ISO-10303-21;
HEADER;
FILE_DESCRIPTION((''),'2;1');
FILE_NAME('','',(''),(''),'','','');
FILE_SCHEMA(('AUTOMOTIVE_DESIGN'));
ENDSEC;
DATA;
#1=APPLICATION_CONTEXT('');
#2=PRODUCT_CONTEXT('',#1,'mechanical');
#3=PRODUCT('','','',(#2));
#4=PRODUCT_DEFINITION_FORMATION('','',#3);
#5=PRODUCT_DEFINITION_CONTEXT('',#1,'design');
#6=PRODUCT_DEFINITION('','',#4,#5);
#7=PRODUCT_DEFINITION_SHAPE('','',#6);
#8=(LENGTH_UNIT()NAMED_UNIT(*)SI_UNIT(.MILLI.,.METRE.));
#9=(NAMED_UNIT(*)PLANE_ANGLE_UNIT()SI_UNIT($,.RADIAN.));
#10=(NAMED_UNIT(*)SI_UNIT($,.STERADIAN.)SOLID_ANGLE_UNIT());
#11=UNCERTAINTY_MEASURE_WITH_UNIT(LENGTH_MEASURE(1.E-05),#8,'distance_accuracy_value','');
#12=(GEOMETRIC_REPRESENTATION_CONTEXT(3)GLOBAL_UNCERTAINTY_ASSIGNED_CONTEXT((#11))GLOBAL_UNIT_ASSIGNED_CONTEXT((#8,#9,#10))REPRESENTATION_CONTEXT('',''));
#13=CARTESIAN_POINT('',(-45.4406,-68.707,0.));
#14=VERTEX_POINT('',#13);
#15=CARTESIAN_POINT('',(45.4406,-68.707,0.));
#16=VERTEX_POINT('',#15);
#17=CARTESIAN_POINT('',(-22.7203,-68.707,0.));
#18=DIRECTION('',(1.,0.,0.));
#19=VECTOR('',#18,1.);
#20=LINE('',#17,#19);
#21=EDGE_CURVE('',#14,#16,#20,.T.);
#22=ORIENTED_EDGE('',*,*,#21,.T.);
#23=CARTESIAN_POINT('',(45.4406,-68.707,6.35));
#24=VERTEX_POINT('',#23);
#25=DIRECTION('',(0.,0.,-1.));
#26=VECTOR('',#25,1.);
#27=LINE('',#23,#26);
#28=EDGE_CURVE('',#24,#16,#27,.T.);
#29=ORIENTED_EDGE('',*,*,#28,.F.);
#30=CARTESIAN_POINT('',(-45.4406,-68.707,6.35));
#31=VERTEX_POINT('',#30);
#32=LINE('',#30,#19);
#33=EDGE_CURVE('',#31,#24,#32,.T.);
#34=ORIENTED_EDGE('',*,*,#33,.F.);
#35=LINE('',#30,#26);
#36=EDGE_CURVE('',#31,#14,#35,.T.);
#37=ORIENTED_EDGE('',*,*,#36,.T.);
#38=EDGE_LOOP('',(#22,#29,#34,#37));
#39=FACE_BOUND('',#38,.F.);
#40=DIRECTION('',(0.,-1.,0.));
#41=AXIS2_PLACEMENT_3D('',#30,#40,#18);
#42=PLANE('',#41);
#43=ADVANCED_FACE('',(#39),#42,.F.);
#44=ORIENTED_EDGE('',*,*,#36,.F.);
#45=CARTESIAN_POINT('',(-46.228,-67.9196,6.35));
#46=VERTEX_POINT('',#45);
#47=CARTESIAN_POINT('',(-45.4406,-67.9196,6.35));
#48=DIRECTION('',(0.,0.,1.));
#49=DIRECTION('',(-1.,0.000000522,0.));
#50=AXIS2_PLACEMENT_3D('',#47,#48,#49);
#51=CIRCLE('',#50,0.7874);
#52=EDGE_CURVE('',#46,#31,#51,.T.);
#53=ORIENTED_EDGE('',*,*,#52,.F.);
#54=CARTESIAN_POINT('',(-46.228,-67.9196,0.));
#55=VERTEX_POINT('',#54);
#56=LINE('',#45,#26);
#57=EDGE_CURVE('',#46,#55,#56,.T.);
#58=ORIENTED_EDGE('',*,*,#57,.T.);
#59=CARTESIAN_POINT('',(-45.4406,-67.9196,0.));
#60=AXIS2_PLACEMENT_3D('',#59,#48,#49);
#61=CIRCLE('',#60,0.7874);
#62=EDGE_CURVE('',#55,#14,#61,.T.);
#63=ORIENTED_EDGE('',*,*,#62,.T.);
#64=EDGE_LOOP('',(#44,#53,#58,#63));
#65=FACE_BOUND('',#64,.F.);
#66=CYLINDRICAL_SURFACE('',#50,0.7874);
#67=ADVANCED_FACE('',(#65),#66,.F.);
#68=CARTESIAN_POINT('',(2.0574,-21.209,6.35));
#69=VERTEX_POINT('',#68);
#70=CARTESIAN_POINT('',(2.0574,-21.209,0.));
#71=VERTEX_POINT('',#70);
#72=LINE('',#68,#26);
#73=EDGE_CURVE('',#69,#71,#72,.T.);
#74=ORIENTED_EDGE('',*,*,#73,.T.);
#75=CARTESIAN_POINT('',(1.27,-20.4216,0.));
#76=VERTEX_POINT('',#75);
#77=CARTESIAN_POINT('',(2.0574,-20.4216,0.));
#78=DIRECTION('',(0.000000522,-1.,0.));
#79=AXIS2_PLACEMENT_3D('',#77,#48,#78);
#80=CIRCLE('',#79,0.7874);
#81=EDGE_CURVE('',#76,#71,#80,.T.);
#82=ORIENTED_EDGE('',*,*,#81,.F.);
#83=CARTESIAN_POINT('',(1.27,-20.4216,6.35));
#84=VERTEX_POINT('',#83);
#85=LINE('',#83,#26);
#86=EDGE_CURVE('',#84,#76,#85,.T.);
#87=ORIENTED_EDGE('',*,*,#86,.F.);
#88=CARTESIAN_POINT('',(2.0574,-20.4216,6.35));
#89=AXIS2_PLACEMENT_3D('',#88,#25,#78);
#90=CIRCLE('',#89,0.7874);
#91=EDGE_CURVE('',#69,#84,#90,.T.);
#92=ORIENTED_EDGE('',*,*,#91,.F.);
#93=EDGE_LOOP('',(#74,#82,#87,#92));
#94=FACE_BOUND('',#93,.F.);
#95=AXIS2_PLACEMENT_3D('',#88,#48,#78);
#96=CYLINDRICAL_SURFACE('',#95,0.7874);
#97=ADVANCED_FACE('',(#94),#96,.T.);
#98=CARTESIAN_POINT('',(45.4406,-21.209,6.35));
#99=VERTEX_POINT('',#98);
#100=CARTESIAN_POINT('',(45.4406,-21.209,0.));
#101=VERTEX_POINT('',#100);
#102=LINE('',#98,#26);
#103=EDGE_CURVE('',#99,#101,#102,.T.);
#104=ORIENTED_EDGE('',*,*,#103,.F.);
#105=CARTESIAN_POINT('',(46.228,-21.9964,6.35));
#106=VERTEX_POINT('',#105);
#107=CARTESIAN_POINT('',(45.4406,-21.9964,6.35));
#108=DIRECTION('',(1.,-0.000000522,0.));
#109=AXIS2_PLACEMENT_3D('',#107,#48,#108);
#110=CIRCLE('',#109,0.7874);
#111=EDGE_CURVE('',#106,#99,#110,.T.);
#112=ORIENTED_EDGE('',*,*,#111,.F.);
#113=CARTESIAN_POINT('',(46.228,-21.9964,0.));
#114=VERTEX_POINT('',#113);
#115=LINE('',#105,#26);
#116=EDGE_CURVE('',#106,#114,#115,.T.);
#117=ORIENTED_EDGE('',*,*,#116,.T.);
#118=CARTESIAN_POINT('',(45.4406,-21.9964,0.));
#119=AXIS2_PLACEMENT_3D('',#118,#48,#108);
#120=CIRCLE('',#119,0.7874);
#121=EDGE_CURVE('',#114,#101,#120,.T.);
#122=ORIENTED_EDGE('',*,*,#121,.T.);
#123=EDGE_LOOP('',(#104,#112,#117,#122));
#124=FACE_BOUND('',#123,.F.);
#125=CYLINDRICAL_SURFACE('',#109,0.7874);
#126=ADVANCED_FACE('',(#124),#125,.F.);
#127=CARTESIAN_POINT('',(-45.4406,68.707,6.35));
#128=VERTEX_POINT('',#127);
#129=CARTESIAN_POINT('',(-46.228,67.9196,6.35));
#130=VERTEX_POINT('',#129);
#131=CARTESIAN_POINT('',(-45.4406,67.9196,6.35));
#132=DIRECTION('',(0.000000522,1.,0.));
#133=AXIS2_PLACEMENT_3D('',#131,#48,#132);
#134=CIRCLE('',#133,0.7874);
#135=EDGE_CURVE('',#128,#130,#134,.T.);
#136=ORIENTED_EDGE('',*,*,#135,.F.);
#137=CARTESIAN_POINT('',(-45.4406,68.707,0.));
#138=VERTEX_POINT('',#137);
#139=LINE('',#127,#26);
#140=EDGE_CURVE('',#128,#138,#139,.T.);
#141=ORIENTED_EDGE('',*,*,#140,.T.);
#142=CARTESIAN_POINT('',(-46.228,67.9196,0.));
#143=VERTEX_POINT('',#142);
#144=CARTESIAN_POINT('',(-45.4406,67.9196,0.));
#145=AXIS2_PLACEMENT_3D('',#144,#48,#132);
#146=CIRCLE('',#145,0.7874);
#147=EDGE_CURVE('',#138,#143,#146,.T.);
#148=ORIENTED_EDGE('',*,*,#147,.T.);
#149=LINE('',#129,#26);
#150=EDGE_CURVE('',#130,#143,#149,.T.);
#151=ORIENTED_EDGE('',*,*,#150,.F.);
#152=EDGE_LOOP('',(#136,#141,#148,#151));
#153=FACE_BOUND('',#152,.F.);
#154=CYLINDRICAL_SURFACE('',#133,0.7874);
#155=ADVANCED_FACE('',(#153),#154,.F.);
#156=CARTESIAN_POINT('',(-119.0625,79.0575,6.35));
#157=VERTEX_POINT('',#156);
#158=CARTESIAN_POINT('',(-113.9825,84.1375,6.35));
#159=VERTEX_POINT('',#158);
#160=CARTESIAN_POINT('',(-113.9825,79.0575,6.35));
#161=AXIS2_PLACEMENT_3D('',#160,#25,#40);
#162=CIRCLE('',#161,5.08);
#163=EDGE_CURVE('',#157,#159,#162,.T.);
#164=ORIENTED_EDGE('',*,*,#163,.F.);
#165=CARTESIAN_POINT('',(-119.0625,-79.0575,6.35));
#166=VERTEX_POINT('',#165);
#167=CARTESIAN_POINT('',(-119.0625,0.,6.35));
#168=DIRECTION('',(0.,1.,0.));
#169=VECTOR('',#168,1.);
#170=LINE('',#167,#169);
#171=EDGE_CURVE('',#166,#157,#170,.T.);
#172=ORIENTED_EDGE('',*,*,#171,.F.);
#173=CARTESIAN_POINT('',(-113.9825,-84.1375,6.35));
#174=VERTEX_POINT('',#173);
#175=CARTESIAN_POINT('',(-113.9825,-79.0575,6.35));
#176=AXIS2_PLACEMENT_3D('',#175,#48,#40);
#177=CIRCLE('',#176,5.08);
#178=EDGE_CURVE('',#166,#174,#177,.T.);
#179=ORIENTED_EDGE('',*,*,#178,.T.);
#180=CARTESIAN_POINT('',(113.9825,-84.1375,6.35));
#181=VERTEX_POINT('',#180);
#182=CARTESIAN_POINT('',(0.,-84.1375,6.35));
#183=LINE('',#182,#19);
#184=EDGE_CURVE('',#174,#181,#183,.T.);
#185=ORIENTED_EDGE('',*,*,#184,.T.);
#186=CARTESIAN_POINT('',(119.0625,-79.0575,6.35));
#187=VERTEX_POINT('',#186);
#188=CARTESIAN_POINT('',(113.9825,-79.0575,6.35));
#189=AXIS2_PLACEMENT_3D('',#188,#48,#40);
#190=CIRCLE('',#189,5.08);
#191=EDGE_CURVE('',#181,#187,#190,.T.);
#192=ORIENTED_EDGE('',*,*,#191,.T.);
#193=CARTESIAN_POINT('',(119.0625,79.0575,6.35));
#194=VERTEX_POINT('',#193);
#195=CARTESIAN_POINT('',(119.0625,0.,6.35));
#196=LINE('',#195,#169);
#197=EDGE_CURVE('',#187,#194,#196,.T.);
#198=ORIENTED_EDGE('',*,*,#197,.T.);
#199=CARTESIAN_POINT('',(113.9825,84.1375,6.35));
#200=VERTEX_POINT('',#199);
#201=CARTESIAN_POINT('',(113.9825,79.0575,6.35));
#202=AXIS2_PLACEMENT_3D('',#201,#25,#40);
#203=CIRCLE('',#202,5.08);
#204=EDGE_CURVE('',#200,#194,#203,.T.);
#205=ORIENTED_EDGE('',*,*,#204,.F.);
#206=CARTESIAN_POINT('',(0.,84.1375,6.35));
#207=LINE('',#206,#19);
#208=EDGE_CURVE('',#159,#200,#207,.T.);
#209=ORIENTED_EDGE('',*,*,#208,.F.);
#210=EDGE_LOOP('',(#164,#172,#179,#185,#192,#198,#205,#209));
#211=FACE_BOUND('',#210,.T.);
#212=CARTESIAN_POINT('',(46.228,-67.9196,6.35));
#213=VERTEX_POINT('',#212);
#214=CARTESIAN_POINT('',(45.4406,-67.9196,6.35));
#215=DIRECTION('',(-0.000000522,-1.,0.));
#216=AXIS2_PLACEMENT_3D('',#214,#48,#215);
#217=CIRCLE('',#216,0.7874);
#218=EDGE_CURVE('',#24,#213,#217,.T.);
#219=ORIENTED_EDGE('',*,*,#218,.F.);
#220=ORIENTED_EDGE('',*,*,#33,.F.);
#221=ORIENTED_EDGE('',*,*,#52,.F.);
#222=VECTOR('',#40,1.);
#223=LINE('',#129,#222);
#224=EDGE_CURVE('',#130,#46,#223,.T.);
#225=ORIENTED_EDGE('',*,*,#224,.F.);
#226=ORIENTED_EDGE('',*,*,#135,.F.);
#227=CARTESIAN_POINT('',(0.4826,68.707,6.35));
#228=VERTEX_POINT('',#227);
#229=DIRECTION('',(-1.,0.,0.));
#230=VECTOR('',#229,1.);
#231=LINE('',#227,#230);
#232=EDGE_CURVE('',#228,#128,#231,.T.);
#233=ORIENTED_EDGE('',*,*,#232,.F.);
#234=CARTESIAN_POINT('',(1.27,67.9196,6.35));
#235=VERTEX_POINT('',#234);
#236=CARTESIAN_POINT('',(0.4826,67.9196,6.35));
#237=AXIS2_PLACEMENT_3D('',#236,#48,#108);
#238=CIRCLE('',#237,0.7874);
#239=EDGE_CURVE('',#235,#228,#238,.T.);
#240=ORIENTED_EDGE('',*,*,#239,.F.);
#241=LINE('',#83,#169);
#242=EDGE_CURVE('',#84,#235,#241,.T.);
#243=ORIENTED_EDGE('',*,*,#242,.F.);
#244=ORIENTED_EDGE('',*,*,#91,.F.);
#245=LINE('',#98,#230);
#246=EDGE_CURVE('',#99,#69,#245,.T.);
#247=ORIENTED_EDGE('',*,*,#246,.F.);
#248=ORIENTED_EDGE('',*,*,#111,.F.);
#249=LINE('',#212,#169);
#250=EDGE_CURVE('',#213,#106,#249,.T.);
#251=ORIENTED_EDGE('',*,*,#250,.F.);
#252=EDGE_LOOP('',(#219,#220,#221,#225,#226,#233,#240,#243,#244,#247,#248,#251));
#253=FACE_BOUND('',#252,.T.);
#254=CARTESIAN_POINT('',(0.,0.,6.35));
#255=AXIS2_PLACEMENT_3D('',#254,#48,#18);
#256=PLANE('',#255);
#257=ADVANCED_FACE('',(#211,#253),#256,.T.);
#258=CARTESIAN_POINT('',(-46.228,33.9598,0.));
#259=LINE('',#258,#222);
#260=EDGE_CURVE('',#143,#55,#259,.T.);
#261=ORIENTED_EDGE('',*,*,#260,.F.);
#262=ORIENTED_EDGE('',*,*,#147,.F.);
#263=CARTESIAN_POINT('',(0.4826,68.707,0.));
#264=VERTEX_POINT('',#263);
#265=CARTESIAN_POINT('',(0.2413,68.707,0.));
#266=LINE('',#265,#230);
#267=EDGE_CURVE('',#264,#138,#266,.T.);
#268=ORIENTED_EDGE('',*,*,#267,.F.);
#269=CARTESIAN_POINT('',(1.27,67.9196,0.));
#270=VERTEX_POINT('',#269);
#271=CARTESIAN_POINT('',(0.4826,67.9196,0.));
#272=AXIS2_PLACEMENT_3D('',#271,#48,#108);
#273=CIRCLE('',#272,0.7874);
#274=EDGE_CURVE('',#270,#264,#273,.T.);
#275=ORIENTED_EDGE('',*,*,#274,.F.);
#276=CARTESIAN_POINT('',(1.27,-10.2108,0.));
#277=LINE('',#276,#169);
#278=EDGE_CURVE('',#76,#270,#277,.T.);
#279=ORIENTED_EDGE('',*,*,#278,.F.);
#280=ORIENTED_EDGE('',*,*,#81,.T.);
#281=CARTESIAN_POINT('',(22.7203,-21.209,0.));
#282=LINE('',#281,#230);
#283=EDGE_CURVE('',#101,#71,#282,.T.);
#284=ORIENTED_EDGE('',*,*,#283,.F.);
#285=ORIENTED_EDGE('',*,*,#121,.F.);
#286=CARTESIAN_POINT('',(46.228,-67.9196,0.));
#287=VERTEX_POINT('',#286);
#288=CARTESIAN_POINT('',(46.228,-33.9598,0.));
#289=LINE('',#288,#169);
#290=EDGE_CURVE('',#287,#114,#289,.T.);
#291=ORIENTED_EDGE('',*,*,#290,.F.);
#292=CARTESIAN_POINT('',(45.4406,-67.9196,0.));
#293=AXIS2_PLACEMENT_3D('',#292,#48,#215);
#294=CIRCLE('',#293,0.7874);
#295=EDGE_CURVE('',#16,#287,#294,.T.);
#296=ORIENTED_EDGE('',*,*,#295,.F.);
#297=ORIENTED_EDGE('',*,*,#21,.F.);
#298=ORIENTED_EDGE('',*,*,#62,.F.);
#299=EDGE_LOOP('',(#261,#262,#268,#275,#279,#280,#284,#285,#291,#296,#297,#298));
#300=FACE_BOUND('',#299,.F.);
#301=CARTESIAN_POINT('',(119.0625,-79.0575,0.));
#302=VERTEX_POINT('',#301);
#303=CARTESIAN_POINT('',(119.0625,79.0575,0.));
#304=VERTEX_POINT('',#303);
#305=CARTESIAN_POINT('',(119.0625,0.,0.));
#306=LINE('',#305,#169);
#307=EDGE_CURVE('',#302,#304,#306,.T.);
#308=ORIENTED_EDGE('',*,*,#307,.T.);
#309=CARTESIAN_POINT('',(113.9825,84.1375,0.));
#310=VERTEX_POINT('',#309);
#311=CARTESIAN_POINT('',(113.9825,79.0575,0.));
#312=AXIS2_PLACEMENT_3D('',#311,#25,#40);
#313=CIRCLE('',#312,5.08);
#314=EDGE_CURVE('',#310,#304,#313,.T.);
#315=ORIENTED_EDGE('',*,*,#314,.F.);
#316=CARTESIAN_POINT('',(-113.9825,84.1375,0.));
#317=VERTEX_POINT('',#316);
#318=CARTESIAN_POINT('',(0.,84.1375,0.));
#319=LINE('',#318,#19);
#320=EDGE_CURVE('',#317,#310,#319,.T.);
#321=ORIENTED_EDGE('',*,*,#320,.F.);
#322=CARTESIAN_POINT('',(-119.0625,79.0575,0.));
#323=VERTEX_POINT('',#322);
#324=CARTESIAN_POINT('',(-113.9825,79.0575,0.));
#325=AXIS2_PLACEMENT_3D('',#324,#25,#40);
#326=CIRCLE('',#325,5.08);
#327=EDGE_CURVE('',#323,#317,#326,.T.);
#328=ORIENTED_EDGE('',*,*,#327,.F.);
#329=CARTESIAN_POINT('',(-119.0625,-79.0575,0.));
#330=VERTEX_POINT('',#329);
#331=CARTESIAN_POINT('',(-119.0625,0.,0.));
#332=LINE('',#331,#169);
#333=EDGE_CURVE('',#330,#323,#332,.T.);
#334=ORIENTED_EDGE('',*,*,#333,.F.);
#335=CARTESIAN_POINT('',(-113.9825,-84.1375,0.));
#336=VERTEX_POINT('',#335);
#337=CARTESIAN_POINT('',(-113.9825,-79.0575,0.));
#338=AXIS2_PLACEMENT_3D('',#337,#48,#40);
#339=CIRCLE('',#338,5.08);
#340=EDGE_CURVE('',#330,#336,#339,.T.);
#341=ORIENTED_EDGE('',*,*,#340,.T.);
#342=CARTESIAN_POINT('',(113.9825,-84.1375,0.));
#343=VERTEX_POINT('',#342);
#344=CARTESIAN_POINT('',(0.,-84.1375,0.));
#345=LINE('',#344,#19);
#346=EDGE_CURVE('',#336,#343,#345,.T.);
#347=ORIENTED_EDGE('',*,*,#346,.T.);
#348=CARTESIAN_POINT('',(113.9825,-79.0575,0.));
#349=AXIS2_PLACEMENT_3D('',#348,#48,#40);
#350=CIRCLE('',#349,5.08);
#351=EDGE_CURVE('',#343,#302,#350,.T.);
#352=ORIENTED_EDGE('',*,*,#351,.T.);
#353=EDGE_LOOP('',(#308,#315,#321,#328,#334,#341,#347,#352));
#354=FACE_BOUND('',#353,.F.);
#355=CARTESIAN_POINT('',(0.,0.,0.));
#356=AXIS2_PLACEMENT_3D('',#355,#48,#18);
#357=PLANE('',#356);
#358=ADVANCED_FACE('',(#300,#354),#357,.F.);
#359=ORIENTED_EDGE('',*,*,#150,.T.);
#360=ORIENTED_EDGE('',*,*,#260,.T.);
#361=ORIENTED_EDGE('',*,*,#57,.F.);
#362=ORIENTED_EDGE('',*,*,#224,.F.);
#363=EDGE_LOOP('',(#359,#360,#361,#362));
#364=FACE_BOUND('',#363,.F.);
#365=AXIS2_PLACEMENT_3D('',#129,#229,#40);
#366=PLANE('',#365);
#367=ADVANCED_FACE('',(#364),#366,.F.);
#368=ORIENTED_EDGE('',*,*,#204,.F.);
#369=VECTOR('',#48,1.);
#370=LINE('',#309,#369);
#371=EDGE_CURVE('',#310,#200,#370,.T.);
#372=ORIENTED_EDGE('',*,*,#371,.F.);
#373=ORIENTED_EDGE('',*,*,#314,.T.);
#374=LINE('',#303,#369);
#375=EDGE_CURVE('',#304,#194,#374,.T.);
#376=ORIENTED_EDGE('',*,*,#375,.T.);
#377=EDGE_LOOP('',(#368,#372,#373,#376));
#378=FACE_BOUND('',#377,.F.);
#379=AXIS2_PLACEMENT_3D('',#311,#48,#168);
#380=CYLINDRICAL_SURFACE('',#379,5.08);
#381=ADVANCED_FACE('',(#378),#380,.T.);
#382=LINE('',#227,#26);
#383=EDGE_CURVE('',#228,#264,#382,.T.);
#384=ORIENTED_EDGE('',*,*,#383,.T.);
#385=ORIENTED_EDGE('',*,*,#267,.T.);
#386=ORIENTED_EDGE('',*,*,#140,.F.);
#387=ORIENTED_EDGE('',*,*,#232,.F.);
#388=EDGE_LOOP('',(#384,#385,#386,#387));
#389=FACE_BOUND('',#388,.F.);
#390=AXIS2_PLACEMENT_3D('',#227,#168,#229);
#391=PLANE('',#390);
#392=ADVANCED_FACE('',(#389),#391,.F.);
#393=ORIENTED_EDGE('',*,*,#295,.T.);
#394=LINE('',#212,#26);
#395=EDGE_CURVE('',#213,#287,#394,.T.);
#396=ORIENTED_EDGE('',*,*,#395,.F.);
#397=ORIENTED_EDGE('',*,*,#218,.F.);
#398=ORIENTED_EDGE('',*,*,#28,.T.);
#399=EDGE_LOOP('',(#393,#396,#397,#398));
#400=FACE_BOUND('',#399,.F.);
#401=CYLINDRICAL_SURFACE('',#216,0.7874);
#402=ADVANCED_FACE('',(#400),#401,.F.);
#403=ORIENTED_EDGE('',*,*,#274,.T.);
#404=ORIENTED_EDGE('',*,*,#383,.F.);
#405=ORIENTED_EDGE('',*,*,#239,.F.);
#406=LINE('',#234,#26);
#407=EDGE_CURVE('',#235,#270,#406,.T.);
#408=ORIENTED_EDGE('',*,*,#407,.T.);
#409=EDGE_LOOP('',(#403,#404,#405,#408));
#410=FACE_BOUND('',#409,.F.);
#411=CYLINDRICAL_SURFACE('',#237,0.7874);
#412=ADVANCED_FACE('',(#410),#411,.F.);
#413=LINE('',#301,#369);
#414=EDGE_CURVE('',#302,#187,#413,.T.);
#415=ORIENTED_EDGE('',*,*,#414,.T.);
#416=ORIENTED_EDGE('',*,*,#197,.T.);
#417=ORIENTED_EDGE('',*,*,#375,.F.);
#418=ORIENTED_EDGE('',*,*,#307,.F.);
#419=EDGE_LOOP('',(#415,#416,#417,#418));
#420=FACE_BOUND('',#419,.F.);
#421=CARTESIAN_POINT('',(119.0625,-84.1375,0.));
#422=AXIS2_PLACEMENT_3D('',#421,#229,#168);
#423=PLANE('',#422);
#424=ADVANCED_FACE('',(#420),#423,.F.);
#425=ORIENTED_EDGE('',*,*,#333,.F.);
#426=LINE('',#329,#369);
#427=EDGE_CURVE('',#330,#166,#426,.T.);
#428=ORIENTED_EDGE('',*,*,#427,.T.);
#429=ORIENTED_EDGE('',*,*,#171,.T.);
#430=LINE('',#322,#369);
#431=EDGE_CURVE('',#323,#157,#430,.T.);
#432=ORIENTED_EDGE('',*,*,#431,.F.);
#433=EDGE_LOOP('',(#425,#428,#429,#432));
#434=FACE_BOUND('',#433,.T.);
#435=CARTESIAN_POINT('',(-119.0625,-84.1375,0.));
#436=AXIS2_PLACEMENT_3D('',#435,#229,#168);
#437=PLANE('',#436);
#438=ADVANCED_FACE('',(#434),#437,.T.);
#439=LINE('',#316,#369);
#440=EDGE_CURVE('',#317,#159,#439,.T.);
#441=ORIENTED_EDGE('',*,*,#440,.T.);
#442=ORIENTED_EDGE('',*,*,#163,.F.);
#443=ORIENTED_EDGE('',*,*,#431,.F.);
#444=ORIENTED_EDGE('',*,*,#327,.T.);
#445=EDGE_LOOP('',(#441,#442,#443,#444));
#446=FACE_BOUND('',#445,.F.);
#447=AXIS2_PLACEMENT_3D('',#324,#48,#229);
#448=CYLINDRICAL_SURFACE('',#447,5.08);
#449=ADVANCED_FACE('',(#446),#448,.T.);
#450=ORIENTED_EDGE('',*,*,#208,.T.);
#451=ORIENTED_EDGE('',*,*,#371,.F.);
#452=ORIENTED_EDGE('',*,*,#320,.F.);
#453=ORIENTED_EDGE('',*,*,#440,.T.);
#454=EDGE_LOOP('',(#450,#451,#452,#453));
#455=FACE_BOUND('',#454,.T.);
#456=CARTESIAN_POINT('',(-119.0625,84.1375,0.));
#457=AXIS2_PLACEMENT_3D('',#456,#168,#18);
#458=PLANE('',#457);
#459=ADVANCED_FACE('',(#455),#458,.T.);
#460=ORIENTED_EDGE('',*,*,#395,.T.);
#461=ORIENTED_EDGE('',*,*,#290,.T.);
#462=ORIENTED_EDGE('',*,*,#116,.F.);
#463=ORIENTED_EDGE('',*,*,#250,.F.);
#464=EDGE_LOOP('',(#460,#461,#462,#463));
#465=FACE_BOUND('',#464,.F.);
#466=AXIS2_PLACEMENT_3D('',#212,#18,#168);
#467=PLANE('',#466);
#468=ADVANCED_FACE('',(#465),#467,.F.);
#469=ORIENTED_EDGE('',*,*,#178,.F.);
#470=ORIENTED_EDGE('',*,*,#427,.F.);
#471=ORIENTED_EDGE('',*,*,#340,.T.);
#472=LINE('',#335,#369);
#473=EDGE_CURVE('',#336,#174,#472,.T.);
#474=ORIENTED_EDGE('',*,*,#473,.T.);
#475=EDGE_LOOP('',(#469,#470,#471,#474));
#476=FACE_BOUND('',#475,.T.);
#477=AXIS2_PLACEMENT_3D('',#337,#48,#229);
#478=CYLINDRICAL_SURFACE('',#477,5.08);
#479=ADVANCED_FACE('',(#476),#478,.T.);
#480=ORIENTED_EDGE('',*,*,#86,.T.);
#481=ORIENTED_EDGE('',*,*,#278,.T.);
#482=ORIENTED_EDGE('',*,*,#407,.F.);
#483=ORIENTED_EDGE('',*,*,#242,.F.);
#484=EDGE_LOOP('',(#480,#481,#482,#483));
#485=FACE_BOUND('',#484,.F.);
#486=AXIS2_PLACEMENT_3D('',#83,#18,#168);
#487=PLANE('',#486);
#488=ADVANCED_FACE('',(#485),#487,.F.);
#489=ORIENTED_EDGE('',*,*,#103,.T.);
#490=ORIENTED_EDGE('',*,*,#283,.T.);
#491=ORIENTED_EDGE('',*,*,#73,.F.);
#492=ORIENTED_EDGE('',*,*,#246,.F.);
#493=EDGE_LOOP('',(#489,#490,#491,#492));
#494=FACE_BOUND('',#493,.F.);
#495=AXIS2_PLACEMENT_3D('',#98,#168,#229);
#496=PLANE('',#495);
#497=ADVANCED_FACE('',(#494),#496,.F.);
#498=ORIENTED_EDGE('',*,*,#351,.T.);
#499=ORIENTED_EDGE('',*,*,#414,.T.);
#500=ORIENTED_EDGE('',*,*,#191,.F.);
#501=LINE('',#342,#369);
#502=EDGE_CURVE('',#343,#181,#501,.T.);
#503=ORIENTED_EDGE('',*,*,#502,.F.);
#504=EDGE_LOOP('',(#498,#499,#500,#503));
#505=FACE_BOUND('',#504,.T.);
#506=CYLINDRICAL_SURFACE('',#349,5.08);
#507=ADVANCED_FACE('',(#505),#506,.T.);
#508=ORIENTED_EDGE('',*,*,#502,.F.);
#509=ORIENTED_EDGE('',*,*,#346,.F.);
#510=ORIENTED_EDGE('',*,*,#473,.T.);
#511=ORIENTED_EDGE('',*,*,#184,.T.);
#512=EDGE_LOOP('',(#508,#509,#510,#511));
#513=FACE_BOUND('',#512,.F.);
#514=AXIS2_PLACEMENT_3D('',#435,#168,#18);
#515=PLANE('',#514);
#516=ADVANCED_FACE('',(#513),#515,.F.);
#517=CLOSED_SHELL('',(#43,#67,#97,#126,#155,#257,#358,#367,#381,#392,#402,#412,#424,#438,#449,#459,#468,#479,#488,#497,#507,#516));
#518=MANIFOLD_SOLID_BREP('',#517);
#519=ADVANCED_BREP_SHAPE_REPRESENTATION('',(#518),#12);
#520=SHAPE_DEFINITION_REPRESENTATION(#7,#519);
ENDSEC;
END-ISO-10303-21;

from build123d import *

# Parameters (mm, degrees)
F0_W     = 238.125
F0_H     = 168.275
F1_DEPTH = 6.35
F3_DEPTH = 25.4
F4_DEPTH = 6.351
F6_DEPTH = 6.351
F7_R     = 5.08


with BuildPart() as f1:
    # F0 (on Top) → F1 (new body)
    with BuildSketch(Plane.XY):
        Rectangle(F0_W, F0_H)
    extrude(amount=F1_DEPTH)

    # F2 (on face) → F3 (cut)
    with BuildSketch(Plane.XY.offset(6.35)):
        Polygon((0, -22.479), (0, 67.437), (-44.958, 67.437), (-44.958, -67.437), (44.958, -67.437), (44.958, -22.479), align=None)
    extrude(amount=-F3_DEPTH, mode=Mode.SUBTRACT)

    # F2 (on face) → F4 (cut, through all)
    with BuildSketch(Plane.XY.offset(6.35)):
        Polygon((0, -22.479), (0, 67.437), (-44.958, 67.437), (-44.958, -67.437), (44.958, -67.437), (44.958, -22.479), align=None)
    extrude(amount=-F4_DEPTH, mode=Mode.SUBTRACT)

    # F5 (on face) → F6 (cut, through all)
    with BuildSketch(Plane.XY.offset(6.35)):
        with BuildLine():
            Line((1.27, -20.4216), (1.27, 67.9196))
            ThreePointArc((1.27, 67.9196), (1.039376, 68.476376), (0.4826, 68.707))
            Line((0.4826, 68.707), (-45.4406, 68.707))
            ThreePointArc((-45.4406, 68.707), (-45.997376, 68.476376), (-46.228, 67.9196))
            Line((-46.228, 67.9196), (-46.228, -67.9196))
            ThreePointArc((-46.228, -67.9196), (-45.997376, -68.476376), (-45.4406, -68.707))
            Line((-45.4406, -68.707), (45.4406, -68.707))
            ThreePointArc((45.4406, -68.707), (45.997376, -68.476376), (46.228, -67.9196))
            Line((46.228, -67.9196), (46.228, -21.9964))
            ThreePointArc((46.228, -21.9964), (45.997376, -21.439624), (45.4406, -21.209))
            Line((45.4406, -21.209), (2.0574, -21.209))
            ThreePointArc((2.0574, -21.209), (1.500624, -20.978376), (1.27, -20.4216))
        make_face()
    extrude(amount=-F6_DEPTH, mode=Mode.SUBTRACT)

    # F7
    f7_edges = [f1.edges().sort_by_distance(p)[0] for p in [
        (-119.0625, -84.1375, 3.175),
        (-119.0625, 84.1375, 3.175),
        (119.0625, -84.1375, 3.175),
        (119.0625, 84.1375, 3.175),
    ]]
    fillet(f7_edges, radius=F7_R)


solid = f1.part
